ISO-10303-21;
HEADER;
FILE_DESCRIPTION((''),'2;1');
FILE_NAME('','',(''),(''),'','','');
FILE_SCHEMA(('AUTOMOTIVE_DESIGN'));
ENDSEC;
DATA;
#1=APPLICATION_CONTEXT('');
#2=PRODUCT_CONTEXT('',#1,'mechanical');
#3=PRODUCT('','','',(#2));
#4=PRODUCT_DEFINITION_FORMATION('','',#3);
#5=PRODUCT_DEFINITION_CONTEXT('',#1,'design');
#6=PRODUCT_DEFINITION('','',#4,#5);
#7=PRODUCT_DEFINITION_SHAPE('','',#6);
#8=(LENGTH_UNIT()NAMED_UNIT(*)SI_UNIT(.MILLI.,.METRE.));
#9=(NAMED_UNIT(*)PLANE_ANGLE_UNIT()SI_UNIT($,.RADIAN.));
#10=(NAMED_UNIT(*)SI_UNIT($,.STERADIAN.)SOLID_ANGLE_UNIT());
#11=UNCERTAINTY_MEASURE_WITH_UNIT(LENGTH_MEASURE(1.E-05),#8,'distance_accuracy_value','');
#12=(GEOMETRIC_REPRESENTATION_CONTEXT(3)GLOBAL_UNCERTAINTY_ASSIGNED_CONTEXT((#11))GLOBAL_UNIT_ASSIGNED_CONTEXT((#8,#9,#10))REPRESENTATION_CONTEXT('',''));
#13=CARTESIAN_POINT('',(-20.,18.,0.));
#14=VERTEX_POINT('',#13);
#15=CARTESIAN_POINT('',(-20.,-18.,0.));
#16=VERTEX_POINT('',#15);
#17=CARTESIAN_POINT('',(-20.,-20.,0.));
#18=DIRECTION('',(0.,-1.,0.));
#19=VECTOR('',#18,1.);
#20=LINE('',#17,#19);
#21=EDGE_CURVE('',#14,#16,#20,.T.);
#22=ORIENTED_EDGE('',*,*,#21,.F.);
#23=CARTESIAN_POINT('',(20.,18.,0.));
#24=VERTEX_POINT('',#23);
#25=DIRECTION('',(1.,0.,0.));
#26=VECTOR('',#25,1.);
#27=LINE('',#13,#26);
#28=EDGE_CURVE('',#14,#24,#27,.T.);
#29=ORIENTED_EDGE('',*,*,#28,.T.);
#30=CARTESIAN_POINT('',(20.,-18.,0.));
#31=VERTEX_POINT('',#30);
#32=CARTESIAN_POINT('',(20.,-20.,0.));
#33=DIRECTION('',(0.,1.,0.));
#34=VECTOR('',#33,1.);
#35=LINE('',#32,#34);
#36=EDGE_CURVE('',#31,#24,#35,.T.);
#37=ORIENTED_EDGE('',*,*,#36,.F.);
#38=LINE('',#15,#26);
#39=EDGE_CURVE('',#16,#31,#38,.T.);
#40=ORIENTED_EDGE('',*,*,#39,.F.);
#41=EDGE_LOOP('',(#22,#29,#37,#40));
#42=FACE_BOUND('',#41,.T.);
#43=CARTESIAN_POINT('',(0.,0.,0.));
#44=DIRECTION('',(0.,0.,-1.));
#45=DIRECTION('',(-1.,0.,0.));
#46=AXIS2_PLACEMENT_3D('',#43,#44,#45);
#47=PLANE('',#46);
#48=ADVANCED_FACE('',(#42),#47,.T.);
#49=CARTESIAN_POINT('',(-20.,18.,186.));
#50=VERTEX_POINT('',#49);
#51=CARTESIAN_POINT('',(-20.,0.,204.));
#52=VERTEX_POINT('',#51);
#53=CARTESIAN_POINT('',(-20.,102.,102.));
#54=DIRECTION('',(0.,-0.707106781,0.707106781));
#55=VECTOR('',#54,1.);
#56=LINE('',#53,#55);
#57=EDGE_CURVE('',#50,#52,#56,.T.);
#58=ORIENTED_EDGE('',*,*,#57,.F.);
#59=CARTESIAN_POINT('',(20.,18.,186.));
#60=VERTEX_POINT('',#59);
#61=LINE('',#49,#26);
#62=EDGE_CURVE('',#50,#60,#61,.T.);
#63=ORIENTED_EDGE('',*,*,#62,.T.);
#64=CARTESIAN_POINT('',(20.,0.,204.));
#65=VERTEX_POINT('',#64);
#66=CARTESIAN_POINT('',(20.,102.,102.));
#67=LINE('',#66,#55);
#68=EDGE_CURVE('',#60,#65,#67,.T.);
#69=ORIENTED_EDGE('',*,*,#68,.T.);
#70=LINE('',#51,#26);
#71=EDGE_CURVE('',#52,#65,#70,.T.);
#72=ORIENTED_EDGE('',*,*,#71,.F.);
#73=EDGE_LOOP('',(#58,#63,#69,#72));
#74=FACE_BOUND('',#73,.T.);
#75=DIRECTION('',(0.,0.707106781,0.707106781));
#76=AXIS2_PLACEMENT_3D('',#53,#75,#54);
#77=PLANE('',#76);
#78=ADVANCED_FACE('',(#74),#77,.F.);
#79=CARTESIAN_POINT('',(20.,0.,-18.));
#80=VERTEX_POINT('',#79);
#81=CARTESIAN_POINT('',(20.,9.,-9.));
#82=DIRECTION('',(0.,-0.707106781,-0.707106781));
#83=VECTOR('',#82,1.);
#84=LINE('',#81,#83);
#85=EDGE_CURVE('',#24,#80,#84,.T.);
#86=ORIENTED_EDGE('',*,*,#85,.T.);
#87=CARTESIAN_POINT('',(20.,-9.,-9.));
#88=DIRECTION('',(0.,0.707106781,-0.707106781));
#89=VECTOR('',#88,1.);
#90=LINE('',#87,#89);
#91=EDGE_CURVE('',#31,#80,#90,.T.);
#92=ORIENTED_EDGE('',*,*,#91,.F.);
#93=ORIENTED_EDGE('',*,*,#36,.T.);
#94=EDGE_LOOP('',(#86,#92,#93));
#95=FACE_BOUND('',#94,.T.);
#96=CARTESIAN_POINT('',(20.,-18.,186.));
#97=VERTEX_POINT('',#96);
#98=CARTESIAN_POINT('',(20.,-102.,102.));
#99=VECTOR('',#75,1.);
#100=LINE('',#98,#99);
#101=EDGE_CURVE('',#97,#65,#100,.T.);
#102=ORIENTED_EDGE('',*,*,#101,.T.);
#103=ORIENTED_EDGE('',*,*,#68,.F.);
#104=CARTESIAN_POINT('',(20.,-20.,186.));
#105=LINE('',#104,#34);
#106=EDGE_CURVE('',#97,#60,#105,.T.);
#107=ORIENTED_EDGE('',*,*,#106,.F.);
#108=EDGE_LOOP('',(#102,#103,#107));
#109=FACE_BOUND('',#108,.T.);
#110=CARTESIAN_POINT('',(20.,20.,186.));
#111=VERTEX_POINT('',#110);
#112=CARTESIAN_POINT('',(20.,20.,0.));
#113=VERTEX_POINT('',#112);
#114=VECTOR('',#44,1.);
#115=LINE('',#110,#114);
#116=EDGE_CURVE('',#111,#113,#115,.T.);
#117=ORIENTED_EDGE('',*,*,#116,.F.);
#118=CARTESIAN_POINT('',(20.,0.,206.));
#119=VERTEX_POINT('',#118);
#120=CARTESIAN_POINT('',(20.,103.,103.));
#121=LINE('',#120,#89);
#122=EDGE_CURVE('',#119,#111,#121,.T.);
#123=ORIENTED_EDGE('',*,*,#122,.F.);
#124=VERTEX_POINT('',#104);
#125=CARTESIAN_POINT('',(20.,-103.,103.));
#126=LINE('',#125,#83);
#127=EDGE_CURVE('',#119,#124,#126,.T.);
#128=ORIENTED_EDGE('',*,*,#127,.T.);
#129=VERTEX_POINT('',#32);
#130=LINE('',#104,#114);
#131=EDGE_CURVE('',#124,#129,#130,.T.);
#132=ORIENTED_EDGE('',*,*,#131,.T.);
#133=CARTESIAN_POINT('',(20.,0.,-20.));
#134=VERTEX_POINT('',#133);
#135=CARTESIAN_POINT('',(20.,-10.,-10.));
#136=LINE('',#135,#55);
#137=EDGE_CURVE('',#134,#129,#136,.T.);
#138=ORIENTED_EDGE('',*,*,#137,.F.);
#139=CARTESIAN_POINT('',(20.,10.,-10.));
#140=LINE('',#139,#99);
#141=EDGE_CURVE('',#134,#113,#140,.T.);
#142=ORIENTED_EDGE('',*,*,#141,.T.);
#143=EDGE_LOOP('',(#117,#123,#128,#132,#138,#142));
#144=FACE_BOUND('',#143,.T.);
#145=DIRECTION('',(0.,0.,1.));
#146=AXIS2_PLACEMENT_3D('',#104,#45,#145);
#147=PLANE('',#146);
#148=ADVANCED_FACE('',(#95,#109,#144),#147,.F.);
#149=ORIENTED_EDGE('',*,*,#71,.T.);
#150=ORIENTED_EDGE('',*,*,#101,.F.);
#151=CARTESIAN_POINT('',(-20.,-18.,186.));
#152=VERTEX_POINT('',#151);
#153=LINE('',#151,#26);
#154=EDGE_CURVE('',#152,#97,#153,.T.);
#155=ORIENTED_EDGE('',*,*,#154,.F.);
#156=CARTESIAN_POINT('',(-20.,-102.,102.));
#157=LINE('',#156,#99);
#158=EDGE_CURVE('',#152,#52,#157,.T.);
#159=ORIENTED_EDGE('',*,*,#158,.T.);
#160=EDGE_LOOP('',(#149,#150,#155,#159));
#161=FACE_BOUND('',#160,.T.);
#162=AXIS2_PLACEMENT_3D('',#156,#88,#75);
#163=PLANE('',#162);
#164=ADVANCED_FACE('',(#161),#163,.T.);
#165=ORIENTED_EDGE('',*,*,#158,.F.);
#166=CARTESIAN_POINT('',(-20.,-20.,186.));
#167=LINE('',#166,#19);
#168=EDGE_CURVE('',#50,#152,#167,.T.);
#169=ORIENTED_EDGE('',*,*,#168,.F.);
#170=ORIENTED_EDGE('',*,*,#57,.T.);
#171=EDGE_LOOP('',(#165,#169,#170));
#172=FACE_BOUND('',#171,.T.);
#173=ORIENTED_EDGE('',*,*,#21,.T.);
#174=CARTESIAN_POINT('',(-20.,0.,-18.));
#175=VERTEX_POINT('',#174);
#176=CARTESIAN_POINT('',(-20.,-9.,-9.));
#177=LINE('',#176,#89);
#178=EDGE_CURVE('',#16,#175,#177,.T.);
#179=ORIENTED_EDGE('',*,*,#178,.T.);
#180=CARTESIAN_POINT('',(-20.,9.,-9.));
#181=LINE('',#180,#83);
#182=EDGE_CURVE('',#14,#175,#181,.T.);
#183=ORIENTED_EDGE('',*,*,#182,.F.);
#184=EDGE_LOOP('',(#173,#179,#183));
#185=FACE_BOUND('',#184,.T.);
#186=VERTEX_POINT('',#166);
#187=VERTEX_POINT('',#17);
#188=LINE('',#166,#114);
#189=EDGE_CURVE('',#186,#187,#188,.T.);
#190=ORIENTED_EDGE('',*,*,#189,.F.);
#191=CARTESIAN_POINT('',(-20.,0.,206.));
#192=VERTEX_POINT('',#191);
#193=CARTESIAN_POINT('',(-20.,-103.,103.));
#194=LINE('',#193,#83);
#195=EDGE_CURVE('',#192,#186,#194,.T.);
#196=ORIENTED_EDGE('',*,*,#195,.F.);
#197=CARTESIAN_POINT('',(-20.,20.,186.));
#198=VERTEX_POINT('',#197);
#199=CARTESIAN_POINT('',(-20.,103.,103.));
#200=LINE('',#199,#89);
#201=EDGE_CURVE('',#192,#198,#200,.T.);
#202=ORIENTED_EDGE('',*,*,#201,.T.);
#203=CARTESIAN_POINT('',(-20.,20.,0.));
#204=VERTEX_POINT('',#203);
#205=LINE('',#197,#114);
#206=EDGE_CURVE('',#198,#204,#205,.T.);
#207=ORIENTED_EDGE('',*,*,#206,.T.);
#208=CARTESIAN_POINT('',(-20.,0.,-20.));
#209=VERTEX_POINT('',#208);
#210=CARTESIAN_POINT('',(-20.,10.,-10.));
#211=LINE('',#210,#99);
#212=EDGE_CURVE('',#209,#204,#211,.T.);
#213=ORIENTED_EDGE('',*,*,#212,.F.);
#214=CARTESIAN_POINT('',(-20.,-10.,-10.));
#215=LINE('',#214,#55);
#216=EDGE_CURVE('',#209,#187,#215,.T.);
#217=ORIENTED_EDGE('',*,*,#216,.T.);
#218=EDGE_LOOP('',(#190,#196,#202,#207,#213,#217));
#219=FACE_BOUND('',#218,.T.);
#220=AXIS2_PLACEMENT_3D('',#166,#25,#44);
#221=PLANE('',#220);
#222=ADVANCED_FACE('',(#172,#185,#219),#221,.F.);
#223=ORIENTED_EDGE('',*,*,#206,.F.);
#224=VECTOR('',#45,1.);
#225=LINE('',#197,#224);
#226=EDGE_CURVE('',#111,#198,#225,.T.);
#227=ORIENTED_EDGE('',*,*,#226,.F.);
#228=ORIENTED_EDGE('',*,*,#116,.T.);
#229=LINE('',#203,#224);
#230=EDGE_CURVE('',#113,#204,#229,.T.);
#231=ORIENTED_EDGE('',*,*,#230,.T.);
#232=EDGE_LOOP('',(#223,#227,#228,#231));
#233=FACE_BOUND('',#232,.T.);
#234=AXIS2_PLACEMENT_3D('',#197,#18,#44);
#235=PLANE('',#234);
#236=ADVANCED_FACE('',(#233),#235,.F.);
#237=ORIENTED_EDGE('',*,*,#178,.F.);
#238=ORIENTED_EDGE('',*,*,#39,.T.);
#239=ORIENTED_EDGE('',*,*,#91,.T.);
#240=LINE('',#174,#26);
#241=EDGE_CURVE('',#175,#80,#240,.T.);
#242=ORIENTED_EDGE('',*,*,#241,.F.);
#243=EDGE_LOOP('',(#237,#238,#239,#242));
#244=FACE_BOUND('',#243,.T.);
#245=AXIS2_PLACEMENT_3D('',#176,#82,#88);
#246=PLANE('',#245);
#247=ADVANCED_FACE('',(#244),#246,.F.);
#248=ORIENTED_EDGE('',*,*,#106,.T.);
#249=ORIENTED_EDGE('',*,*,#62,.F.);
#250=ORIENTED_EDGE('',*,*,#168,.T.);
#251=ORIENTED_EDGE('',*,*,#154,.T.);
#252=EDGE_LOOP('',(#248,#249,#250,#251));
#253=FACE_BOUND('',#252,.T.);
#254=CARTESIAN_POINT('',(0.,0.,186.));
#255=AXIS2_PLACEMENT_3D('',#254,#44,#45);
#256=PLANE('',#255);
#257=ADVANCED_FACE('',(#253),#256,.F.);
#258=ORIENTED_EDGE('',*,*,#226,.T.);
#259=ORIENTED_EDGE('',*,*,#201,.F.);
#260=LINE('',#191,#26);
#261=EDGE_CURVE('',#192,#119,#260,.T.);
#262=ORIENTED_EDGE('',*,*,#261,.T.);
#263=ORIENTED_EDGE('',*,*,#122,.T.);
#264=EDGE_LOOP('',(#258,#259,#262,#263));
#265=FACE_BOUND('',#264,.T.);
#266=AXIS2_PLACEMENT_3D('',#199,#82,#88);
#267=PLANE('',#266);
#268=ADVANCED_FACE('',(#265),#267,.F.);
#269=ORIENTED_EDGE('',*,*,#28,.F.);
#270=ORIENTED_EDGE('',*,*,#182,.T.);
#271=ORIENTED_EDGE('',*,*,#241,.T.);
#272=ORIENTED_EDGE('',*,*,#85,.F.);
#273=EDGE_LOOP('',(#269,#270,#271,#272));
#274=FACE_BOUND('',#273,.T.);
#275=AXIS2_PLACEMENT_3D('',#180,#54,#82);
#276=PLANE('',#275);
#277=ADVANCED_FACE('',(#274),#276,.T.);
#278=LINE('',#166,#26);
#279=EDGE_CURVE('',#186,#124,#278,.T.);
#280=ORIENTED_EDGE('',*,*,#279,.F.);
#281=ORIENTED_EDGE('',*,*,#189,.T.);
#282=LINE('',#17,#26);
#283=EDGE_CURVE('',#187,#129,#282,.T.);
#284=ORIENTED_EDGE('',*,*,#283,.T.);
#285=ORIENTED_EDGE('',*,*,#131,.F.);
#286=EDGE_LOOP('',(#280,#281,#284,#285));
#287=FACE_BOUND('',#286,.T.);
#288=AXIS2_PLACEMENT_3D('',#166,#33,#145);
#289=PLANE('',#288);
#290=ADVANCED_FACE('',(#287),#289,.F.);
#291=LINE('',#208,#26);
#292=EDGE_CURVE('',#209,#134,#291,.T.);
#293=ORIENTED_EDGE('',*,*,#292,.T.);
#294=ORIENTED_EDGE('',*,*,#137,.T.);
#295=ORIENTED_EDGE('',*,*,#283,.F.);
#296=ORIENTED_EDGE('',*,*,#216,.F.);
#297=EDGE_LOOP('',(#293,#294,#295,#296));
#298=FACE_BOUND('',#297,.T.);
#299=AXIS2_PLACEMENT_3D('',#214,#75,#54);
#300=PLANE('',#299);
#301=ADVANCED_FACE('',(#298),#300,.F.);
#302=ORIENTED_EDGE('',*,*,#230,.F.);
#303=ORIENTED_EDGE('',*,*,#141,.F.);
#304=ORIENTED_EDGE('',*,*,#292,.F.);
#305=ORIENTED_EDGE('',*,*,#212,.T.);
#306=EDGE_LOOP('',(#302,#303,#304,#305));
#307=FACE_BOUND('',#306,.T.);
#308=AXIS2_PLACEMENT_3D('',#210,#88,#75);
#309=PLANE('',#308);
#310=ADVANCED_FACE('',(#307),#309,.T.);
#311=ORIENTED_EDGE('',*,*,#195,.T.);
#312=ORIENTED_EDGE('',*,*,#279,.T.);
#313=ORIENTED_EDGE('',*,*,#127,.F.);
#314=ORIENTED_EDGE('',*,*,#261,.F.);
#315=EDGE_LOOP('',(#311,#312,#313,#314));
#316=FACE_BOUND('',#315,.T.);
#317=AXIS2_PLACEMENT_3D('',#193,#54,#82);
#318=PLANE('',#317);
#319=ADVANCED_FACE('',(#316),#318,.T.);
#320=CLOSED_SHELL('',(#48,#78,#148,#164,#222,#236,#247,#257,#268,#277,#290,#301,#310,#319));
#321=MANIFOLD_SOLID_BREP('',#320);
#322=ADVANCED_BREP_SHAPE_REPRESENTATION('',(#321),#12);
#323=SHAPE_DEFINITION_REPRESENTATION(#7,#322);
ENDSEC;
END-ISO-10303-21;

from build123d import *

# Parameters (mm, degrees)
CROQUIS1_W              = 40
CROQUIS1_H              = 40
SALIENTE_EXTRUIR1_DEPTH = 186
SALIENTE_EXTRUIR2_DEPTH = 40


with BuildPart() as part:
    # Croquis1 → Saliente-Extruir1 (new body)
    with BuildSketch(Plane.XY):
        Rectangle(CROQUIS1_W, CROQUIS1_H)
    extrude(amount=SALIENTE_EXTRUIR1_DEPTH)

    # Croquis4 → Saliente-Extruir2 (add)
    with BuildSketch(Plane(origin=(20, 0, 0), x_dir=(0, 0, -1), z_dir=(1, 0, 0))):
        Polygon((0, -20), (20, 0), (18, 0), (0, -18), align=None)
        Polygon((20, 0), (0, 20), (0, 18), (18, 0), align=None)
        Polygon((-186, 18), (-186, 20), (-206, 0), (-204, 0), align=None)
        Polygon((-204, 0), (-206, 0), (-186, -20), (-186, -18), align=None)
    extrude(amount=-SALIENTE_EXTRUIR2_DEPTH)


solid = part.part
